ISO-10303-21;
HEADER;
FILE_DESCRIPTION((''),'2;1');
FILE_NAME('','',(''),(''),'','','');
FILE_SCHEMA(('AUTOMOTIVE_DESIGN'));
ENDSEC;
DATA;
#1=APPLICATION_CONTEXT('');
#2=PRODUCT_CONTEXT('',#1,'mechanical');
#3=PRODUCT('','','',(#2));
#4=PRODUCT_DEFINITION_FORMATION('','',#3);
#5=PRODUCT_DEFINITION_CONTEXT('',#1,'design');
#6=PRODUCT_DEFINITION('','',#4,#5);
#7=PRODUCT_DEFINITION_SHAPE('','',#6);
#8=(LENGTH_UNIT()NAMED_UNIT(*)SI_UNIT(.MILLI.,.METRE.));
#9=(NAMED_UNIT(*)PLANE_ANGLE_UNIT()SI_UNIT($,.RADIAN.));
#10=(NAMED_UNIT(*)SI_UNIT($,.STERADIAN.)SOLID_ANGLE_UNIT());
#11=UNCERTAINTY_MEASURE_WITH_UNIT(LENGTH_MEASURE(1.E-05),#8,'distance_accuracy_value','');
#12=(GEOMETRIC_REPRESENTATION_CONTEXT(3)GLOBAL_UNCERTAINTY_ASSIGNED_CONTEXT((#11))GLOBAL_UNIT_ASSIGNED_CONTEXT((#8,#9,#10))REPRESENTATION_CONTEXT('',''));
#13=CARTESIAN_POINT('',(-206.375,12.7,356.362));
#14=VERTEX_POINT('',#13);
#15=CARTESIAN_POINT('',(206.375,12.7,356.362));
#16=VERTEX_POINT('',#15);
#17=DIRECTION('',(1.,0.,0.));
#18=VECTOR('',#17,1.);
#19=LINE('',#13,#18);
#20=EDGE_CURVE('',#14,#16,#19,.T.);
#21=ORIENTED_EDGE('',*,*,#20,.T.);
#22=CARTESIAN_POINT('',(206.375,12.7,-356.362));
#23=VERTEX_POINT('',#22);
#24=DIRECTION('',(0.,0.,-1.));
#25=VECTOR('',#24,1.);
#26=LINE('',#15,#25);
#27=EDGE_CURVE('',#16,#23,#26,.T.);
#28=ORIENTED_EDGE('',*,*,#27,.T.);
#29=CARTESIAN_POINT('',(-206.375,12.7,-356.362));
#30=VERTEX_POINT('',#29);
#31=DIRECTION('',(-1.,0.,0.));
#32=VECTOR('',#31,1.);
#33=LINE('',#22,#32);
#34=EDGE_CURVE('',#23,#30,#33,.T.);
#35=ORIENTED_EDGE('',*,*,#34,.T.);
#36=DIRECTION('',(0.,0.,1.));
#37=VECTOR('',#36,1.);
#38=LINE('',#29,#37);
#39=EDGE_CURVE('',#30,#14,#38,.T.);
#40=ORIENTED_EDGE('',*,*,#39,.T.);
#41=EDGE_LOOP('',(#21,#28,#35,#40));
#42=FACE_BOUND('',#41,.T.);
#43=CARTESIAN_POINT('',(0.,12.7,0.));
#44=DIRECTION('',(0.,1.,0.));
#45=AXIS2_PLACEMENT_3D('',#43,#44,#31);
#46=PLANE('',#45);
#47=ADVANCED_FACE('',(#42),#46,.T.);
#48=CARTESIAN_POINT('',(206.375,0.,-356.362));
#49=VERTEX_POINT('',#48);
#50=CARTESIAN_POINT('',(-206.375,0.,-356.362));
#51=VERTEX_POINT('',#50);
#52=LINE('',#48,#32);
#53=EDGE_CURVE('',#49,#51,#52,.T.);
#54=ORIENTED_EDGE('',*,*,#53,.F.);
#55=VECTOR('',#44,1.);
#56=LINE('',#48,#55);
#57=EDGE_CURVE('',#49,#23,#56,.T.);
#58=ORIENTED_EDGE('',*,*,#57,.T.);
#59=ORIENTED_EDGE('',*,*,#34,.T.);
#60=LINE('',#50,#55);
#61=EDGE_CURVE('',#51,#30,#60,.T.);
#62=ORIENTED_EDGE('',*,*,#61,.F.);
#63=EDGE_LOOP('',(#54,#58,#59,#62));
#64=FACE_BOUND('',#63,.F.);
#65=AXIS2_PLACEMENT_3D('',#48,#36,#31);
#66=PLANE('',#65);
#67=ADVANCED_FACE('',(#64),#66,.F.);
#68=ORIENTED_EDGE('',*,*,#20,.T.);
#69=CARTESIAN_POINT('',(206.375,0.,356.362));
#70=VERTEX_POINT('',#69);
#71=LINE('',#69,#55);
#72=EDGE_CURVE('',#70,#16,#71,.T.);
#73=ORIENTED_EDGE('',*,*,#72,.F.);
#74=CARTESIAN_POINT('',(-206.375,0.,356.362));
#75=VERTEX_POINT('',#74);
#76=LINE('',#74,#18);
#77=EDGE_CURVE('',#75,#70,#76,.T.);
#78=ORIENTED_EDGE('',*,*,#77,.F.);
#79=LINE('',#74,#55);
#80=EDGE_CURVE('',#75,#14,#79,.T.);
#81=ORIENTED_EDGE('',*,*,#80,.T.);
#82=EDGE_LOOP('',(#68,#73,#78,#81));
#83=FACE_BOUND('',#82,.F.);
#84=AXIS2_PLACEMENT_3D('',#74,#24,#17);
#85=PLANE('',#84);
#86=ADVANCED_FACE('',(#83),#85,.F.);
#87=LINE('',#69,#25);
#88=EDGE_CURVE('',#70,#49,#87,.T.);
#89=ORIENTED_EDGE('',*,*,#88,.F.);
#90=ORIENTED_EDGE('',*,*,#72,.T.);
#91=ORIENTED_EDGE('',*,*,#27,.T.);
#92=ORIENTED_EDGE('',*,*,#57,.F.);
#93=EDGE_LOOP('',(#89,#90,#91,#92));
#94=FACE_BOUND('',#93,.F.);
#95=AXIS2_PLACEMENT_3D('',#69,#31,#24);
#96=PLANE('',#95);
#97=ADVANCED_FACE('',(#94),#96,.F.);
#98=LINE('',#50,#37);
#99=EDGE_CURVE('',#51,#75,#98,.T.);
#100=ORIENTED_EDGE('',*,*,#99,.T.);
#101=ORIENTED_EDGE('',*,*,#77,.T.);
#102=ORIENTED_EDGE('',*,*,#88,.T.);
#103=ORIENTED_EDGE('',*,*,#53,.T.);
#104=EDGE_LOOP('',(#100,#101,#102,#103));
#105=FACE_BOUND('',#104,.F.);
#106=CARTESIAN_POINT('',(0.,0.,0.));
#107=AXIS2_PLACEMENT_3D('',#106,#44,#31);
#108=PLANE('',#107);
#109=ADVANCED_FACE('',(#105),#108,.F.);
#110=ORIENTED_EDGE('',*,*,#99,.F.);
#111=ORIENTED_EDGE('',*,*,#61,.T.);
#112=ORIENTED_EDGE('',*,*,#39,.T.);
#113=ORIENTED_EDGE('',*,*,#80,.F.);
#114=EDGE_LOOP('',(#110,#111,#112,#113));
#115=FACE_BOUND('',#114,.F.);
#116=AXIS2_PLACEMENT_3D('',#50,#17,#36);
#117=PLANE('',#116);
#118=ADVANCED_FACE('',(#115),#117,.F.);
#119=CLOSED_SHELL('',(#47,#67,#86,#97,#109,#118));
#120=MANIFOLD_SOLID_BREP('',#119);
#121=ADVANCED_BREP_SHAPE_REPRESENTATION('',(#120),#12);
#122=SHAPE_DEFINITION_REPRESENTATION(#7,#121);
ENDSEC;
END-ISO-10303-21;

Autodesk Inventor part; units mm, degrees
ref_plane "YZ Plane" through (0, 0, 0) normal (1, 0, 0) x (0, 1, 0)
ref_plane "XZ Plane" through (0, 0, 0) normal (0, 1, 0) x (-1, 0, 0)
ref_plane "XY Plane" through (0, 0, 0) normal (0, 0, 1) x (1, 0, 0)
sketch "Sketch1" plane through (0, 0, 0) normal (0, 1, 0) x (-1, 0, 0)
  line L0 (206.375, 356.362) -> (-206.375, 356.362)
  line L1 (-206.375, 356.362) -> (-206.375, -356.362)
  line L2 (-206.375, -356.362) -> (206.375, -356.362)
  line L3 (206.375, -356.362) -> (206.375, 356.362)
  line L4 (206.375, 356.362) -> (-206.375, -356.362) construction
  line L5 (-206.375, 356.362) -> (206.375, -356.362) construction
  point P0 (0, 0)
  dimension "d0" = 412.75
  dimension "d1" = 712.724
extrude "Extrusion1" add sketch "Sketch1" along normal blind 12.7
properties part number "plywoodBase" material "Wood (Birch)"
